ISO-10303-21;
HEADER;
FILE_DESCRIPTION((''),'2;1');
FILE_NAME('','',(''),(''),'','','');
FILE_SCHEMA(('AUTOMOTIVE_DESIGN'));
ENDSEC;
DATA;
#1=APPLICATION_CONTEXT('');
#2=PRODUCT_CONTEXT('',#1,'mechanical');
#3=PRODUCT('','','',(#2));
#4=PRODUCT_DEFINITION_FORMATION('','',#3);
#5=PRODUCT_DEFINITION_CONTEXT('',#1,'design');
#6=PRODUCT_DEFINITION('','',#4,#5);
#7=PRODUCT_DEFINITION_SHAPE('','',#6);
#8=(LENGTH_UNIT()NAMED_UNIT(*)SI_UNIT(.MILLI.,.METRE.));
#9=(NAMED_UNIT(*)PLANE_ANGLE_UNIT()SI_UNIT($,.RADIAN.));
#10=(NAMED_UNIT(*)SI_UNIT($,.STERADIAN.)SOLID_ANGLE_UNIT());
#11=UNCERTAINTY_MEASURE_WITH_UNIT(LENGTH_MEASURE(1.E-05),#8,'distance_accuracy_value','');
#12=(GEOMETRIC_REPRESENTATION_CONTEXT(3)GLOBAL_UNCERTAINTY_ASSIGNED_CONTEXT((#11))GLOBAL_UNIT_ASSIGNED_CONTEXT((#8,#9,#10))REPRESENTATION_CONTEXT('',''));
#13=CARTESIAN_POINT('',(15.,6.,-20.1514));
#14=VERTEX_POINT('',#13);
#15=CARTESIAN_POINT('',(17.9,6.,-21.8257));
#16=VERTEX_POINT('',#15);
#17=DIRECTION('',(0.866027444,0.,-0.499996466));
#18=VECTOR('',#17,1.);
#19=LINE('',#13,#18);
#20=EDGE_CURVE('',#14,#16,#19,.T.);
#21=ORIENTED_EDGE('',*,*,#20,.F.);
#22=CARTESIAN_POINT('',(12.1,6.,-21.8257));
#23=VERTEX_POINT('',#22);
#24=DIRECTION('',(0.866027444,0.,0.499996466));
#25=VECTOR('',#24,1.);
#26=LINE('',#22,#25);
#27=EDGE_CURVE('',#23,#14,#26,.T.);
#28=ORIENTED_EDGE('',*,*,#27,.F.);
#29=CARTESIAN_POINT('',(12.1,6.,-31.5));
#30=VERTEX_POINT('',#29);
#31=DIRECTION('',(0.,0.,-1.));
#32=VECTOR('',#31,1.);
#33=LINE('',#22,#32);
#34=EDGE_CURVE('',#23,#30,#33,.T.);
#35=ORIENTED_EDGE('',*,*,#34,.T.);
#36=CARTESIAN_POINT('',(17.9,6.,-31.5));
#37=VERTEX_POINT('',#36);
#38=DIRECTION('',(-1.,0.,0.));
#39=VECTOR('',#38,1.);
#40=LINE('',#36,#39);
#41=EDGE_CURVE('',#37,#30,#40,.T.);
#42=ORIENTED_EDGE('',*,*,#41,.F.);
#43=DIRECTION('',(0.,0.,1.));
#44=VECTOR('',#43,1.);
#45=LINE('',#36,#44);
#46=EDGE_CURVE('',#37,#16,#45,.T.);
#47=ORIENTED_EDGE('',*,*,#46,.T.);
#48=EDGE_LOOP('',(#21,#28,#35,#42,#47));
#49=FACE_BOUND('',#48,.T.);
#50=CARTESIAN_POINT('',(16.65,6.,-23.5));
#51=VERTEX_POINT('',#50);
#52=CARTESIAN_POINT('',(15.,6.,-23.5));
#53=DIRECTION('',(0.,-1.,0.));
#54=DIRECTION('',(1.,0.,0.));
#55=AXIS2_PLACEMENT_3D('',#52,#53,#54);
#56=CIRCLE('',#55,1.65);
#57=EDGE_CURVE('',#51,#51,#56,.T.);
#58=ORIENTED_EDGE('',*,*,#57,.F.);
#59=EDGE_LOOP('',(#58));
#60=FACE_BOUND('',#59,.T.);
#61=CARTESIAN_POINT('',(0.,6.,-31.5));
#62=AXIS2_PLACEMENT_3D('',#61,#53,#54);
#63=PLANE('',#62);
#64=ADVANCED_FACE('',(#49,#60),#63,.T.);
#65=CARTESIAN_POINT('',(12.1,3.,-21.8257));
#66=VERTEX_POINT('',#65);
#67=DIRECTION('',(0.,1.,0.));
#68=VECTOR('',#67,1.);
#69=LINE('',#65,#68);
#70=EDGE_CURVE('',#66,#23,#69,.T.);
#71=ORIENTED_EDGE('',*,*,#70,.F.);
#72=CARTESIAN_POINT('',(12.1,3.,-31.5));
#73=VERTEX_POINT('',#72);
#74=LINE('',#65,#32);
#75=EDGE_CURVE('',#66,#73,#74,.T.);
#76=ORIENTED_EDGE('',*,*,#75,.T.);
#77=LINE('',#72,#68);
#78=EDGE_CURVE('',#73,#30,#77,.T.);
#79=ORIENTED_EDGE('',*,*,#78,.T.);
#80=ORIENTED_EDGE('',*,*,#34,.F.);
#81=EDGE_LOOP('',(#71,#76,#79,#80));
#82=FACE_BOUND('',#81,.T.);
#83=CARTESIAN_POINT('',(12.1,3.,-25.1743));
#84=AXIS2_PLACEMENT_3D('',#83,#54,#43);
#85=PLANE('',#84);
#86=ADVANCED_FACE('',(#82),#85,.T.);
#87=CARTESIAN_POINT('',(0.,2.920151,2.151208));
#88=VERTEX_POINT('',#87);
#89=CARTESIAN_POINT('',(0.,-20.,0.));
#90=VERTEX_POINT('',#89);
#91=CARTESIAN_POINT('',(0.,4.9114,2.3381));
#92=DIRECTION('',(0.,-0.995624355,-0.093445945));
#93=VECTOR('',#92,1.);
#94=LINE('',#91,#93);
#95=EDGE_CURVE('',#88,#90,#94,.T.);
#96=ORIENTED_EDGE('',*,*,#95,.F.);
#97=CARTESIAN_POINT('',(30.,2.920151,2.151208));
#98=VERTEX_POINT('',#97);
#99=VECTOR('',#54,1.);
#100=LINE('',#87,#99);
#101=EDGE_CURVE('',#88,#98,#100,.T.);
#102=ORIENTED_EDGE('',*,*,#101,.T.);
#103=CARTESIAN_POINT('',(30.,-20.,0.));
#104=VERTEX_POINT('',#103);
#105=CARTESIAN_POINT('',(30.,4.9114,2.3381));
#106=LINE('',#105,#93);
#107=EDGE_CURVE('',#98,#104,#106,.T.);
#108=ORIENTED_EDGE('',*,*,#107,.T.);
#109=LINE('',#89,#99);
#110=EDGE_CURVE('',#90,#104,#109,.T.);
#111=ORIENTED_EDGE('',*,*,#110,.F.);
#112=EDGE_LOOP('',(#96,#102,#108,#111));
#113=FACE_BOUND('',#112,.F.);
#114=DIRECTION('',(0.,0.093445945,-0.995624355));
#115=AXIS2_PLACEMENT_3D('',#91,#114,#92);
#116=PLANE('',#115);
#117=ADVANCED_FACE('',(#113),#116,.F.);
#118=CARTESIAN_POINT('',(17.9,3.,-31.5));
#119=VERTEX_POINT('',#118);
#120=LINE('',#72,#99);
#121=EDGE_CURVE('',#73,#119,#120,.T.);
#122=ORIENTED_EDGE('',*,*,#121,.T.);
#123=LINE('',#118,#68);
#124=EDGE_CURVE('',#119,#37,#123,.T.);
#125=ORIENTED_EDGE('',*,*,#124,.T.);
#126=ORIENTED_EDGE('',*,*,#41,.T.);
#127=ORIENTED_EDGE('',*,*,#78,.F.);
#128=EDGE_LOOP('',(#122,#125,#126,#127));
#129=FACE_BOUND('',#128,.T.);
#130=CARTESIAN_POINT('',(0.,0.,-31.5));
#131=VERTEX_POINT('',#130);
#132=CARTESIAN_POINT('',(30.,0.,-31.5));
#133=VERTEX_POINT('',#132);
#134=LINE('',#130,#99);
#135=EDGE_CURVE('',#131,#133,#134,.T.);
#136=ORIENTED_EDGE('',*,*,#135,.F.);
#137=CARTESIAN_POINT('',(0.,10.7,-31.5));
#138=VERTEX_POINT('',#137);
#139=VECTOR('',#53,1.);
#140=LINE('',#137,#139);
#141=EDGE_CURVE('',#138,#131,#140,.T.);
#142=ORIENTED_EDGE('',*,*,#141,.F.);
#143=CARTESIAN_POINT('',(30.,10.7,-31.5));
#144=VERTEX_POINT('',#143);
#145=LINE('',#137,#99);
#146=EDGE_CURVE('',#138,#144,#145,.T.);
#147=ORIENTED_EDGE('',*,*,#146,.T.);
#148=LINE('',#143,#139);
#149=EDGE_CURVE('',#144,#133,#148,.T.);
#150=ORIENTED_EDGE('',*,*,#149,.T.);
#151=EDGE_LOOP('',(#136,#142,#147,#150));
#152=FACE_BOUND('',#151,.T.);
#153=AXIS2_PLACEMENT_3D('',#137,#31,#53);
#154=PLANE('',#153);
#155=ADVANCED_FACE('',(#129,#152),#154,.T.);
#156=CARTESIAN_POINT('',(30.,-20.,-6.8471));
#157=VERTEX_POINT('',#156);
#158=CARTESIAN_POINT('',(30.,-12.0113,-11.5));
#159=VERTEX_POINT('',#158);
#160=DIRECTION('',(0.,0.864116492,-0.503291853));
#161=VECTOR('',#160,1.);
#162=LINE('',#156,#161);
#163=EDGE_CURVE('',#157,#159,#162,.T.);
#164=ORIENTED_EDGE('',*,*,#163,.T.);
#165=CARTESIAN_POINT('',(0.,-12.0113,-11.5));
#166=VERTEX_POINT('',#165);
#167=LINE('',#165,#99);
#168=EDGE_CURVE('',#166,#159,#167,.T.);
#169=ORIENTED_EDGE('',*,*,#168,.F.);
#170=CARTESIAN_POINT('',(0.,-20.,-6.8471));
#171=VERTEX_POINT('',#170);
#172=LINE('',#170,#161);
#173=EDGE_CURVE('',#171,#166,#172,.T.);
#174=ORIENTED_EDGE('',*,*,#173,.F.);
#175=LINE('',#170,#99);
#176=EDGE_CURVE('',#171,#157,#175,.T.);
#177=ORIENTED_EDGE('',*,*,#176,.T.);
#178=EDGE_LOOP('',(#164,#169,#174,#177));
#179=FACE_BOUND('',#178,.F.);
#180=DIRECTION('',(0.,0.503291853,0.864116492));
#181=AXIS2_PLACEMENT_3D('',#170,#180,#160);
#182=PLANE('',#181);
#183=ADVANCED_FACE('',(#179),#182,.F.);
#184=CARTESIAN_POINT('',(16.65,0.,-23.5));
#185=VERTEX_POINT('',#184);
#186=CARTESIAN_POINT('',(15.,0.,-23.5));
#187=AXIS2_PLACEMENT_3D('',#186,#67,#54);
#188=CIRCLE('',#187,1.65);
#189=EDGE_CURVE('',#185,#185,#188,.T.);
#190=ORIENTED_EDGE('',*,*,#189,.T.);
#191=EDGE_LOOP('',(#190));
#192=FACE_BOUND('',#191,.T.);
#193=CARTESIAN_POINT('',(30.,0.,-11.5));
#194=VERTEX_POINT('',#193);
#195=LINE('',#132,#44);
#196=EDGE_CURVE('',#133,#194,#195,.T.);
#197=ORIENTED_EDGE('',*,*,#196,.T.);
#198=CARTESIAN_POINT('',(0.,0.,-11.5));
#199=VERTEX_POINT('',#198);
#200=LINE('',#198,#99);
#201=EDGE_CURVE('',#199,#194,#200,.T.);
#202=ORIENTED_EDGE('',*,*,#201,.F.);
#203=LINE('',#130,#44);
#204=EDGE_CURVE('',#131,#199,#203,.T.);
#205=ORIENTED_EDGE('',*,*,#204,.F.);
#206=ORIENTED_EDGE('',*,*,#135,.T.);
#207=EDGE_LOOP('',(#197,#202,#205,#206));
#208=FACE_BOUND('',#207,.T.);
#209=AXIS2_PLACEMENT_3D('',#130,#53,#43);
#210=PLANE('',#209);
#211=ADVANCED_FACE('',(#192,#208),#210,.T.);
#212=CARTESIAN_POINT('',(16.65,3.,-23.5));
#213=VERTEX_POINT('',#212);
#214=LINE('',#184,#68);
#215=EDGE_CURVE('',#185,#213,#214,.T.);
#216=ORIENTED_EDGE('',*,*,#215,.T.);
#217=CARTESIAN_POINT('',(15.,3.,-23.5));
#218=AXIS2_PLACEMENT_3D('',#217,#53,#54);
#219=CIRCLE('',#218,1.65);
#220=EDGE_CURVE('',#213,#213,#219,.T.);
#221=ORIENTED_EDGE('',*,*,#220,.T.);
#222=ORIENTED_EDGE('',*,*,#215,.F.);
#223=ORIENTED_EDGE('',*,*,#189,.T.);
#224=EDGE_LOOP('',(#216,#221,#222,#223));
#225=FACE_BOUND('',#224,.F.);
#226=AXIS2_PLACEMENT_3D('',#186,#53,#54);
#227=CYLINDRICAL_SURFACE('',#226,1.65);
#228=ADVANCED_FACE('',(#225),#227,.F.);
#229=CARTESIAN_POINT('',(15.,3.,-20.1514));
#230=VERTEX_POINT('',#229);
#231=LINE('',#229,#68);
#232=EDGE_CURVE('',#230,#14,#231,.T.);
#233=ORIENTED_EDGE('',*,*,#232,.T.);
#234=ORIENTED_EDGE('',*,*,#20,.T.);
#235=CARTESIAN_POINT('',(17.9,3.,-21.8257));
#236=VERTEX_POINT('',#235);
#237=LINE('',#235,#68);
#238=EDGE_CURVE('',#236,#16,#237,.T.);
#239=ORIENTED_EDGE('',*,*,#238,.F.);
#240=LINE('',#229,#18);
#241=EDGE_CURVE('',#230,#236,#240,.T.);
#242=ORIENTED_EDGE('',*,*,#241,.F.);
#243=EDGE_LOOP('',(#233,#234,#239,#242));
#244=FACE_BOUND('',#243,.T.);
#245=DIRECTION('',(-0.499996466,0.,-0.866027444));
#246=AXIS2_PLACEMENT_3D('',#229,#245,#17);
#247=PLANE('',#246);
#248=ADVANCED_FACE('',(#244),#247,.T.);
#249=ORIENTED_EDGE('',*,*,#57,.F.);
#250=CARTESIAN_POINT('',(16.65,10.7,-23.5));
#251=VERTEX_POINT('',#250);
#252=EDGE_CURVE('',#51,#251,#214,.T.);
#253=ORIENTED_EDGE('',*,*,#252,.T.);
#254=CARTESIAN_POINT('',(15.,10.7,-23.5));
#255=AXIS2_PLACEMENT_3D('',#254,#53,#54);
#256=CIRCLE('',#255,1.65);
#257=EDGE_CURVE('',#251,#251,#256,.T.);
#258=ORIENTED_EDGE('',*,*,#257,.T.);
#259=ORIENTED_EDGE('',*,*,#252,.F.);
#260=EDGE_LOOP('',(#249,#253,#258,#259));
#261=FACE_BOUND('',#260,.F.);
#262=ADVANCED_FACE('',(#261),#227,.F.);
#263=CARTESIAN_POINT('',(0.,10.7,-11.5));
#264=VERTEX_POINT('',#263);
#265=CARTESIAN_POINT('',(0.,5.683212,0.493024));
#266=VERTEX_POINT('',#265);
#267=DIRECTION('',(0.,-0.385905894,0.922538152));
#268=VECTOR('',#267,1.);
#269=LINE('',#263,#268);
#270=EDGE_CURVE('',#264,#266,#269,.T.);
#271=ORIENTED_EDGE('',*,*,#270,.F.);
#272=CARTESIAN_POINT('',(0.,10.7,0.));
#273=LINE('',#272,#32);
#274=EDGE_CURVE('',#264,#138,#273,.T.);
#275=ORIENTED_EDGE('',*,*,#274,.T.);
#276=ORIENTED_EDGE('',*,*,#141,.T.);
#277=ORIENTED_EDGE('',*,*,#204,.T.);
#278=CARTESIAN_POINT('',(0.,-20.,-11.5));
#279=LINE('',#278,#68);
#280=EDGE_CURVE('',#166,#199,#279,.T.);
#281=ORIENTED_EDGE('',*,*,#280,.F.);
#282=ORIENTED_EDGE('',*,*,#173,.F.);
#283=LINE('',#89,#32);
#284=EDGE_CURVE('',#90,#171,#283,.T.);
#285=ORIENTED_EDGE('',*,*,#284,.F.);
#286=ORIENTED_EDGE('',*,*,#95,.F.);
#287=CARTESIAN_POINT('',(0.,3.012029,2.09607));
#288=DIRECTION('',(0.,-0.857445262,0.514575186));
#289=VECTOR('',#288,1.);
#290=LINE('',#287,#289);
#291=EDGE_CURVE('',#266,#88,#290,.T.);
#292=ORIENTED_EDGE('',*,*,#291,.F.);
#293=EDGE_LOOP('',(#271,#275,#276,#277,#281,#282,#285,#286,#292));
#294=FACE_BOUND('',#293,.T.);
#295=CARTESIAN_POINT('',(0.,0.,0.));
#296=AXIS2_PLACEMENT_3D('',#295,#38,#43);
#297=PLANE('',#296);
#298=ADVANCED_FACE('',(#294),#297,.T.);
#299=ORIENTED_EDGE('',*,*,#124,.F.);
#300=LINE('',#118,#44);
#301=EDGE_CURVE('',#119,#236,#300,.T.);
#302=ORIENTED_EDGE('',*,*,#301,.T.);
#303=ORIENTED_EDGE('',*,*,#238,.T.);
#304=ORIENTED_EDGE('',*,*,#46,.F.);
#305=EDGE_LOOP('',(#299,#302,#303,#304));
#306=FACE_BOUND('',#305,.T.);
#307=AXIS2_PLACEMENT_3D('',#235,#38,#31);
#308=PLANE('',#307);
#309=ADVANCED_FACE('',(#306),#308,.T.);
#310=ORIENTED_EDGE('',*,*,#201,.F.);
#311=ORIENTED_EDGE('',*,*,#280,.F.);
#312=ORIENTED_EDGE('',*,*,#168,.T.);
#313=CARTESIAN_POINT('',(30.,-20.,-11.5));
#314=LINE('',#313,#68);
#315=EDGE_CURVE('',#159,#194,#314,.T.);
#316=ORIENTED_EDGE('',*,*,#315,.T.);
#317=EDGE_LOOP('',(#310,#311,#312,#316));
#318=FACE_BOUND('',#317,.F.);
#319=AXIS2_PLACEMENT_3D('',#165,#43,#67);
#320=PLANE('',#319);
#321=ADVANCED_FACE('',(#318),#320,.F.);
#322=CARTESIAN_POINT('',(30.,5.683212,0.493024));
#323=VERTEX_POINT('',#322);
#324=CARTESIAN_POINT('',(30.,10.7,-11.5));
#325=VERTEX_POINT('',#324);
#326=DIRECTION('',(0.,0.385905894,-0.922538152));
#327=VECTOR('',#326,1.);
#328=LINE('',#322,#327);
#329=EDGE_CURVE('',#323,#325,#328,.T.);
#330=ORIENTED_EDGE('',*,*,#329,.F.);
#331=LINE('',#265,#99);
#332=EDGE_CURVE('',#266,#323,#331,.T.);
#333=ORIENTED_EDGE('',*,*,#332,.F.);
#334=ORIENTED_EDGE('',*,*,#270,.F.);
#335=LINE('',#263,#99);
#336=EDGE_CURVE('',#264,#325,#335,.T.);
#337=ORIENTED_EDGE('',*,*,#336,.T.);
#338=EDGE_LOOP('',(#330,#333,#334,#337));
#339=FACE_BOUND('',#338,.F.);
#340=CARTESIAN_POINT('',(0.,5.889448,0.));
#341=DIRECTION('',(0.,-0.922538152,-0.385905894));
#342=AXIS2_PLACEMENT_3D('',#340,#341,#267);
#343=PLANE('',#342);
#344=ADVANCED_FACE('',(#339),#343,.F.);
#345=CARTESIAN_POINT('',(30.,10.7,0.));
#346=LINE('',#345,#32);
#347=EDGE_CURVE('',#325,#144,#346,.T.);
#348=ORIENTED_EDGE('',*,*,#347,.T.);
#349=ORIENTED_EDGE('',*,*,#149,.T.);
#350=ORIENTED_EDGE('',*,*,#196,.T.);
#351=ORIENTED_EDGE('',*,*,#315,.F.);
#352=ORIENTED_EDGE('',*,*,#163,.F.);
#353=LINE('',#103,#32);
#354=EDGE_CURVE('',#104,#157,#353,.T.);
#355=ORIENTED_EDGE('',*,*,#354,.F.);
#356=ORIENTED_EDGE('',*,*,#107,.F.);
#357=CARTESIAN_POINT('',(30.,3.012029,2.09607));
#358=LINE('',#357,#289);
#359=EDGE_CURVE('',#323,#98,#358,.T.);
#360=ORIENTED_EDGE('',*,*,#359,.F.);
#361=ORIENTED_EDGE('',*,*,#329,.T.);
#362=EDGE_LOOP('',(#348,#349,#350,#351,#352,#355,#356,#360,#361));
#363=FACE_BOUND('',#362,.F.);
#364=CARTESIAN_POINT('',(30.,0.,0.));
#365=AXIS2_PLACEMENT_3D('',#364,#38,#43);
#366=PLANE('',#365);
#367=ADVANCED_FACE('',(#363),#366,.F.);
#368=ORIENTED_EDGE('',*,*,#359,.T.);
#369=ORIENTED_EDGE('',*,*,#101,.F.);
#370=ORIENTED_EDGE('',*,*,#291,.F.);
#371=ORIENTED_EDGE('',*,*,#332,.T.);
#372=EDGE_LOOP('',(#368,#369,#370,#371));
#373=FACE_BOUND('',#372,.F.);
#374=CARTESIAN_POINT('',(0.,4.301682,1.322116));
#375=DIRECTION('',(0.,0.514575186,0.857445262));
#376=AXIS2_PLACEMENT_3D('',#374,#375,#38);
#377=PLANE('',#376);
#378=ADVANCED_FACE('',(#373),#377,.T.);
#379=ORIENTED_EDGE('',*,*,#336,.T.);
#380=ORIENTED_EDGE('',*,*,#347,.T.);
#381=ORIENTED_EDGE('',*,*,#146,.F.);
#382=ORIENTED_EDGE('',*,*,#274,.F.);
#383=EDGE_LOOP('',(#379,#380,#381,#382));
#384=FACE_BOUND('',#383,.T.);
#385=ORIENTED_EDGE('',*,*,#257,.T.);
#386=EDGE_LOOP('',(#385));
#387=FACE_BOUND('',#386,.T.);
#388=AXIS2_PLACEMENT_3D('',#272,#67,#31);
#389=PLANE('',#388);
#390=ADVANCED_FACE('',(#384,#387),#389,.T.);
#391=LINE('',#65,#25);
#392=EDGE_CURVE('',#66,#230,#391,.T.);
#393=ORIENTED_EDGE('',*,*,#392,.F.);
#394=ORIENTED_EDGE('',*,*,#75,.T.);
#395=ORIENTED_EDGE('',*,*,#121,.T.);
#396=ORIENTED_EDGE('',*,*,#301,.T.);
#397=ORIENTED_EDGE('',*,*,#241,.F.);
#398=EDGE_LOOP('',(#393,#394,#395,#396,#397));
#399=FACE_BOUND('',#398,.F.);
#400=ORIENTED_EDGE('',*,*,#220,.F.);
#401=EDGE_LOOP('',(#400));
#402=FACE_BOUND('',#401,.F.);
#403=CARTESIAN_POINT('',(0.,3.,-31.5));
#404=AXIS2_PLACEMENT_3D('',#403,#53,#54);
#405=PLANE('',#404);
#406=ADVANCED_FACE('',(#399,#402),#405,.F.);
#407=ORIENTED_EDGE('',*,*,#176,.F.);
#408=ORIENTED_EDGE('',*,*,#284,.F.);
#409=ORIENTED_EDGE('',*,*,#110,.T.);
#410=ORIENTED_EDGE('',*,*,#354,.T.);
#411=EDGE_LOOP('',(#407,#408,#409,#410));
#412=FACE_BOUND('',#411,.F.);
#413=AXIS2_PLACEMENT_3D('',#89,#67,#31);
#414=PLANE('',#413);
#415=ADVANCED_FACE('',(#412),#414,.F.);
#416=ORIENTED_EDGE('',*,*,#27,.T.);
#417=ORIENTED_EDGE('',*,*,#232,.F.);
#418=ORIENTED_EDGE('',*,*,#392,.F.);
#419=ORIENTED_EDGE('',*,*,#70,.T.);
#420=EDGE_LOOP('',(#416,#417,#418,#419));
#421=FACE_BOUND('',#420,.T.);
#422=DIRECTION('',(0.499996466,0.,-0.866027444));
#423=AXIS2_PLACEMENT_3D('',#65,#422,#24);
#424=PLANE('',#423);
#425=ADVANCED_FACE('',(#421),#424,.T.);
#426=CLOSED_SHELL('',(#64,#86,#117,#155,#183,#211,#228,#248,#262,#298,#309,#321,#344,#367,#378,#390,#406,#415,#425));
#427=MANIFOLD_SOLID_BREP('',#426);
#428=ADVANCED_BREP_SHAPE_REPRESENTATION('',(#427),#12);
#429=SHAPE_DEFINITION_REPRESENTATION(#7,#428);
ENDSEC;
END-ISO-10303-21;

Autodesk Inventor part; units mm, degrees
ref_plane "YZ Plane" through (0, 0, 0) normal (1, 0, 0) x (0, 1, 0)
ref_plane "XZ Plane" through (0, 0, 0) normal (0, 1, 0) x (-1, 0, 0)
sketch "Sketch1" plane through (0, 0, 0) normal (1, 0, 0) x (0, 1, 0)
  line L0 (0, 0) -> (10.7, 0)
  line L1 (10.7, 0) -> (10.7, -31.5)
  line L2 (10.7, -31.5) -> (0, -31.5)
  line L3 (0, -31.5) -> (0, 0)
  line L4 (0, 0) -> (-20, 0)
  line L5 (-20, 0) -> (-20, -11.5)
  line L6 (-20, -11.5) -> (0, -11.5)
  line L7 (0, -11.5) -> (0, 0)
  line L8 (-20, -6.8471) -> (-12.0113, -11.5)
  dimension "d0" = 10.7
  dimension "d1" = 11.5
  dimension "d2" = 20
  dimension "d4" = 20
extrude "Extrusion1" add sketch "Sketch1" along normal blind 30 contours L0 L1 L2 L3 | L3 L6 L8 L5 L4
sketch "Sketch3" plane through (0, 0, -31.5) normal (0, -1, 0) x (1, 0, 0)
  line L0 (0, 20) -> (0, 0) projected
  line L1 (0, 0) -> (30, 0) projected
  line L2 (30, 20) -> (30, 0) projected
  line L3 (0, 20) -> (30, 20) projected
  circle A0 centre (15, 8) radius 1.65
  line L4 (15, 0) -> (15, 9.65)
  point P0 (0, 31.5)
  dimension "d10" = 3.3
  dimension "d11" = 8
extrude "Extrusion3" cut sketch "Sketch3" against normal blind 40 contours A0 L4 | L4 A0
ref_plane "Work Plane1" through (0, 3, -31.5) normal (0, -1, 0) x (1, 0, 0)
sketch "Sketch4" plane through (0, 3, -31.5) normal (0, -1, 0) x (1, 0, 0)
  circle A0 centre (15, 8) radius 1.65 projected
  circle A1 centre (20, 8) radius 1.65 projected
  line L0 (15, 4.6514) -> (12.1, 6.3257)
  line L1 (12.1, 6.3257) -> (12.1, 9.6743)
  line L2 (12.1, 9.6743) -> (15, 11.3486)
  line L3 (15, 11.3486) -> (17.9, 9.6743)
  line L4 (17.9, 9.6743) -> (17.9, 6.3257)
  line L5 (17.9, 6.3257) -> (15, 4.6514)
  line L6 (17.9, 6.3257) -> (17.9, 0)
  line L7 (0, 0) -> (30, 0) projected
  line L8 (12.1, 6.3257) -> (12.1, 0)
  line L9 (17.9, 0) -> (12.1, 0)
  line L10 (0, 0) -> (30, 0) projected
  line L11 (15, 0) -> (15, 11.3486)
  circle A2 centre (15, 8) radius 1.65
  line L12 (15, 4.6514) -> (17.9, 6.3257)
  line L13 (17.9, 6.3257) -> (17.9, 9.6743)
  line L14 (17.9, 9.6743) -> (15, 11.3486)
  line L15 (15, 11.3486) -> (12.1, 9.6743)
  line L16 (12.1, 9.6743) -> (12.1, 6.3257)
  line L17 (12.1, 6.3257) -> (15, 4.6514)
  line L18 (12.1, 6.3257) -> (12.1, 0)
  line L19 (17.9, 6.3257) -> (17.9, 0)
  line L20 (12.1, 0) -> (17.9, 0)
  point P0 (0, 31.5)
  point P1 (40, 0)
  point P2 (12.1, 0)
  point P3 (17.9, 0)
  dimension "d16" = 5.8
extrude "Extrusion4" cut sketch "Sketch4" against normal blind 3 contours A0 L11 | A0 L11 L3 L4 L5 | L11 A0 | A0 L11 L0 L1 L2 | L11 L7 L8 L0 | L5 L6 L7 L11
sketch "Sketch5" plane through (0, 0, 0) normal (-1, 0, 0) x (0, 0, 1)
  line L0 (0, -20) -> (-6.8471, -20) projected
  line L1 (0, 10.7) -> (0, -20) projected
  line L2 (-31.5, 10.7) -> (0, 10.7) projected
  line L3 (-31.5, 0) -> (-31.5, 10.7) projected
  line L4 (-11.5, 0) -> (-31.5, 0) projected
  line L5 (-11.5, -12.0113) -> (-11.5, 0) projected
  line L6 (-6.8471, -20) -> (-11.5, -12.0113) projected
  line L7 (-11.5, 10.7) -> (2.3381, 4.9114)
  line L8 (2.3381, 4.9114) -> (0, -20)
  line L9 (-11.5, 0) -> (-11.5, 10.7)
  point P0 (0, 0)
  point P1 (0, 5.8894)
  dimension "d19" = 157.3
  dimension "d20" = 15
extrude "Extrusion5" add sketch "Sketch5" against normal up to surface (30 mm away) contours L1 L7 L8
chamfer "Chamfer1" distance 2 angle 45 1 edges at (15, 4.9114, 2.3381)
extrude "Extrusion6" cut sketch "Sketch5" against normal through all contours L7 L2 L1
properties part number "ESQUINA_RECTA_SUPERIOR" material "Steel, Mild, Welded"
